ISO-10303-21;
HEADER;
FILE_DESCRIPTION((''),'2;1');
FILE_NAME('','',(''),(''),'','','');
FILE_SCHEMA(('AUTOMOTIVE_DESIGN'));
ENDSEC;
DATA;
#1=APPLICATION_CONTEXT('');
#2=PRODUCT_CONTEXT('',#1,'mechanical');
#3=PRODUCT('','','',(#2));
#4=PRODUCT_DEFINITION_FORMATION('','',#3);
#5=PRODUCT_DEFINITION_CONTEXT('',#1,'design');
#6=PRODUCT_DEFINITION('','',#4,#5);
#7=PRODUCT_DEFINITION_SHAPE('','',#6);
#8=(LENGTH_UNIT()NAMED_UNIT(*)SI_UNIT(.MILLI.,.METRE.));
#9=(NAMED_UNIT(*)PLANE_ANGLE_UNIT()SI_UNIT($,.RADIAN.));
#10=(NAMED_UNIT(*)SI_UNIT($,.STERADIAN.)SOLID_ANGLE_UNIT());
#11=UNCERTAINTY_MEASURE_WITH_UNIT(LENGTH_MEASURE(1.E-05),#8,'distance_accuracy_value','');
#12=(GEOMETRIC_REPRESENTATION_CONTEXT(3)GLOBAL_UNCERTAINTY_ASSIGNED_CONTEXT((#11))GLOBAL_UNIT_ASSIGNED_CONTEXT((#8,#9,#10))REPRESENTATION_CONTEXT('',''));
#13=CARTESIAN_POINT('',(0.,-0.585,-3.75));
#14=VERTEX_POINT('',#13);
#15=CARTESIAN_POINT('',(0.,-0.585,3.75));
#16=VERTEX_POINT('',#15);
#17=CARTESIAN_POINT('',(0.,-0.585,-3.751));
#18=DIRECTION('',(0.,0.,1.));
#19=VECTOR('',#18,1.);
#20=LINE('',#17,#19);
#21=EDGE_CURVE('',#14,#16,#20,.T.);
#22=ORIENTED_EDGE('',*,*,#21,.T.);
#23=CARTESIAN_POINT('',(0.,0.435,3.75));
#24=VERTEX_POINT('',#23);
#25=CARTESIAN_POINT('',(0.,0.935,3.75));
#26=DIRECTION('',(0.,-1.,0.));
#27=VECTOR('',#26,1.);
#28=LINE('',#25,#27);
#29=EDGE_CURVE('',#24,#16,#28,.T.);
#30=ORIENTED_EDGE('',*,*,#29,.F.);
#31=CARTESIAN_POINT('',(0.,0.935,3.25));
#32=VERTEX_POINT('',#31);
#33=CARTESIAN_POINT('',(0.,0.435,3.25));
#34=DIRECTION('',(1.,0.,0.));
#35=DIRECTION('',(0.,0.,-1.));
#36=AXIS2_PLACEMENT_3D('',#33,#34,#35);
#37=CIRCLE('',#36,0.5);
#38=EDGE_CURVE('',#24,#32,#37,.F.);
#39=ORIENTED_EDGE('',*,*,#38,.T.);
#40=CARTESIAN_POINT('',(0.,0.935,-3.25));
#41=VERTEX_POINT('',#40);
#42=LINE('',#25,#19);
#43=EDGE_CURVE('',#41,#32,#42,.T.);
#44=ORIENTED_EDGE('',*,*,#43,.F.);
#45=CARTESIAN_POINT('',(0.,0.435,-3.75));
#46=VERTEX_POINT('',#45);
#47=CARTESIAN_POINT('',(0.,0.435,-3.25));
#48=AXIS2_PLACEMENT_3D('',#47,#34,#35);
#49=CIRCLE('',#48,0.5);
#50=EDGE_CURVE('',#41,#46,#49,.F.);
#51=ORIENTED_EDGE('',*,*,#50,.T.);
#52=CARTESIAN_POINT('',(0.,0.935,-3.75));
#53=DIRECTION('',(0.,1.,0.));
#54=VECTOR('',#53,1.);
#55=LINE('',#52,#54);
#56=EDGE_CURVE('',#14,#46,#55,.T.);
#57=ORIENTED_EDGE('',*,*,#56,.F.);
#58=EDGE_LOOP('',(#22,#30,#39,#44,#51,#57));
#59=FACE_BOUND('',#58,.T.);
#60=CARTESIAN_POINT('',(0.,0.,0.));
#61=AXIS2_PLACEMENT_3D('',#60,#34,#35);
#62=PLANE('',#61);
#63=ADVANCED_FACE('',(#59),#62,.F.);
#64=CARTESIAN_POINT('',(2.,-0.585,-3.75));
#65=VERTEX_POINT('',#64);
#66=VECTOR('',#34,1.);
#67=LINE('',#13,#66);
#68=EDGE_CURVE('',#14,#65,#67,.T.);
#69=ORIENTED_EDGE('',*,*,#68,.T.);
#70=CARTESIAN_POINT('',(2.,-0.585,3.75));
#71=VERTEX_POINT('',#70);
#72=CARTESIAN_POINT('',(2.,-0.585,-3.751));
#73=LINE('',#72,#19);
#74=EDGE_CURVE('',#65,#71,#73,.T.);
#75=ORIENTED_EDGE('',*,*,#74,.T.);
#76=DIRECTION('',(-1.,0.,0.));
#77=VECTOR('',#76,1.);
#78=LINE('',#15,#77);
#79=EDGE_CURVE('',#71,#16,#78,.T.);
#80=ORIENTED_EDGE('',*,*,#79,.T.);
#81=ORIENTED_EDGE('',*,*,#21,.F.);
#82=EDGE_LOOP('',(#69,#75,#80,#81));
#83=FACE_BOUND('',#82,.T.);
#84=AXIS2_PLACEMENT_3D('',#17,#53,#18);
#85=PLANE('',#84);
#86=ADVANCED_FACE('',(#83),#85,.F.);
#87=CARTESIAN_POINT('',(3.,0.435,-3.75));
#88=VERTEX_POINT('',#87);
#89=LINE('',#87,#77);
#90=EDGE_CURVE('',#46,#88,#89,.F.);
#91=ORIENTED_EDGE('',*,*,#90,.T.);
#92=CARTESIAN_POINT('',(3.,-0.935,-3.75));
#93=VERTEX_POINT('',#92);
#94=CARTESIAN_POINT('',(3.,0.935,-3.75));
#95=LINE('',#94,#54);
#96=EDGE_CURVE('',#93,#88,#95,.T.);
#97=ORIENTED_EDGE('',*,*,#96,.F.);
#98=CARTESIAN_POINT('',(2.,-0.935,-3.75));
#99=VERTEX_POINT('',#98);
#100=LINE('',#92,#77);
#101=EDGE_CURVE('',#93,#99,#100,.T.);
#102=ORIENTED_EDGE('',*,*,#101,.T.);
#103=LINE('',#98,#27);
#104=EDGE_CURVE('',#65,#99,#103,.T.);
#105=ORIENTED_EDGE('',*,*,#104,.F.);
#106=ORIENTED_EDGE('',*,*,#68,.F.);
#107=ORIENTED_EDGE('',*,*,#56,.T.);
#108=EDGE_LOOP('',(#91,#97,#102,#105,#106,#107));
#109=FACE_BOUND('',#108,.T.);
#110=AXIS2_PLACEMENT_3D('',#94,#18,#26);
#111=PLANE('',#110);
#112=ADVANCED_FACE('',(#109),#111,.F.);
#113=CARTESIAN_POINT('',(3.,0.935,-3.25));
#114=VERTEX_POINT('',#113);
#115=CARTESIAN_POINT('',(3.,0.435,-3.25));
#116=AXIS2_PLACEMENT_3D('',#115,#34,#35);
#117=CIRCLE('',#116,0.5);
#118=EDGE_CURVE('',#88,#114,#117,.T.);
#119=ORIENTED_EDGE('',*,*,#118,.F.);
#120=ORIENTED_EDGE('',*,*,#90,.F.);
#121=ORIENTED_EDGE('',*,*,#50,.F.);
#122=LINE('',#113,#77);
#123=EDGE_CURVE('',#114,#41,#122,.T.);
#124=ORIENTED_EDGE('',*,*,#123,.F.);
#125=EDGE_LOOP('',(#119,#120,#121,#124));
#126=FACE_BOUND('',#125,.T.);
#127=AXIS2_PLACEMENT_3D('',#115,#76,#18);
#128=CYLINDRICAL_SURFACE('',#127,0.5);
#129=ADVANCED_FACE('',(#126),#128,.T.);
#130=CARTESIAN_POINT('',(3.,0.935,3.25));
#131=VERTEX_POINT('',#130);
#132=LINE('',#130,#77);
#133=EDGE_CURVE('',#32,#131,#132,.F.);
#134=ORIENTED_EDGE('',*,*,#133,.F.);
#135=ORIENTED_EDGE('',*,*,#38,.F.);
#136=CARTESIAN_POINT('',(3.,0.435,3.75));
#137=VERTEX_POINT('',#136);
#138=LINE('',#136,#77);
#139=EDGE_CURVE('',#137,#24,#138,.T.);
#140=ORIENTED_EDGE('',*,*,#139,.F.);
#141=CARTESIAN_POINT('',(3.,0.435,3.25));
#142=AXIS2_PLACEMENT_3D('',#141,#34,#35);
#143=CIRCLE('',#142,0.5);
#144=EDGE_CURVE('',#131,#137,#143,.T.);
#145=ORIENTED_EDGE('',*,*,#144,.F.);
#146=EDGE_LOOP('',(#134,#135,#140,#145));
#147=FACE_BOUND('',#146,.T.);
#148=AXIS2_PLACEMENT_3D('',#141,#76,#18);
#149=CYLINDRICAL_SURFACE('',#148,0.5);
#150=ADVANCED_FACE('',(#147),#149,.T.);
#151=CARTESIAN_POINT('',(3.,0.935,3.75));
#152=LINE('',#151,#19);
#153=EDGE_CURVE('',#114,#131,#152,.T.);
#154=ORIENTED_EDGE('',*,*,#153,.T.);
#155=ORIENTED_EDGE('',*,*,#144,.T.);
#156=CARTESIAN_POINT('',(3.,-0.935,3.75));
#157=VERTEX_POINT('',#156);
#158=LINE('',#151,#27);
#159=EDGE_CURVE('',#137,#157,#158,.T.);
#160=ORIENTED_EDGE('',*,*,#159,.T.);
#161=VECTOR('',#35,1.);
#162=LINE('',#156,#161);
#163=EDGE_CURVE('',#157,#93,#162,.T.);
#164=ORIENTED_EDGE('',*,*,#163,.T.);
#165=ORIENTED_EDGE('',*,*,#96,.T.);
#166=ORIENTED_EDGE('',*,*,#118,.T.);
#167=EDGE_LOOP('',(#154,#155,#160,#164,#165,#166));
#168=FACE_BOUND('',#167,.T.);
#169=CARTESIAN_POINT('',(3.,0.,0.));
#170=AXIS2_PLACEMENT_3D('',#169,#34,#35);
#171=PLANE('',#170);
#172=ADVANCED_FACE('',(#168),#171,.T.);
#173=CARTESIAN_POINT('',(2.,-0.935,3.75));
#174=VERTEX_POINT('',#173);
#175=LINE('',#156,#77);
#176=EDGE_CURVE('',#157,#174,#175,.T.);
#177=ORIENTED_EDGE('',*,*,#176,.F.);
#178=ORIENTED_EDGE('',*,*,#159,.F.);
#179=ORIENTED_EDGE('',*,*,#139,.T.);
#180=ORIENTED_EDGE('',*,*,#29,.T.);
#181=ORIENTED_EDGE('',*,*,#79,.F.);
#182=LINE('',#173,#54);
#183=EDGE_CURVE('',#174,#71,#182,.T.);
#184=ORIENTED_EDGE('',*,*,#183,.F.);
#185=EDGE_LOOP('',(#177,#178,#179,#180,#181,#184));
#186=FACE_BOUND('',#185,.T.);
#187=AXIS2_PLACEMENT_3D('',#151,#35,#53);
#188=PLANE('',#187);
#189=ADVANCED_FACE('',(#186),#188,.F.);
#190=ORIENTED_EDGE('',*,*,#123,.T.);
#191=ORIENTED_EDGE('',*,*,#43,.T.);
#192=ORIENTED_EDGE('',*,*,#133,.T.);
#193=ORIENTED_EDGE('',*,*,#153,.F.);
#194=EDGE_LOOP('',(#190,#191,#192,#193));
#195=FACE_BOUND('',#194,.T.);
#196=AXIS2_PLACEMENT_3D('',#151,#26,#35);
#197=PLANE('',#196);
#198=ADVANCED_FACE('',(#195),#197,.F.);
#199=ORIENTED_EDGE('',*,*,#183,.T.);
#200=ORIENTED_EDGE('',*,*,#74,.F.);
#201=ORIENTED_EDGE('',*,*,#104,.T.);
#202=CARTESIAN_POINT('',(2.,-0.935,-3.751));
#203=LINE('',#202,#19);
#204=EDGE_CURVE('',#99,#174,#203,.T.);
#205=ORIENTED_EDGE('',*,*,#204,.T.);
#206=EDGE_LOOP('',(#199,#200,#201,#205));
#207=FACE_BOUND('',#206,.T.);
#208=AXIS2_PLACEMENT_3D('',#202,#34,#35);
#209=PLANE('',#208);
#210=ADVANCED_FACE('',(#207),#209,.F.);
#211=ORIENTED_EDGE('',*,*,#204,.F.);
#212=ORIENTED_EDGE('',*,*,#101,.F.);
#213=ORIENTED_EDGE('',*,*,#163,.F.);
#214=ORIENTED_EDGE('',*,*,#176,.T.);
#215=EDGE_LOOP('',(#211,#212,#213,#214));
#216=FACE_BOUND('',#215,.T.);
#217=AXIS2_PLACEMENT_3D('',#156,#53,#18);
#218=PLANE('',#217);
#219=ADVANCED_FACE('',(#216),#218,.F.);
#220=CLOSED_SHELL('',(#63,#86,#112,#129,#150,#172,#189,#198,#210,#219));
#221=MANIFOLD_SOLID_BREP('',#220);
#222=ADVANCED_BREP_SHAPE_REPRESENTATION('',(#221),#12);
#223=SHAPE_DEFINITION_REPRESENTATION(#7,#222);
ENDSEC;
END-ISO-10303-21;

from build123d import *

# Parameters (mm, degrees)
CROQUIS1_W              = 7.5
CROQUIS1_H              = 1.87
SALIENTE_EXTRUIR1_DEPTH = 3
CORTAR_EXTRUIR1_REACH   = 10.132
CROQUIS2_W              = 2
CROQUIS2_H              = 0.35
REDONDEO1_R             = 0.5


with BuildPart() as part:
    # Croquis1 → Saliente-Extruir1 (new body)
    with BuildSketch(Plane(origin=(0, 0, 0), x_dir=(0, 0, -1), z_dir=(1, 0, 0))):
        Rectangle(CROQUIS1_W, CROQUIS1_H)
    extrude(amount=SALIENTE_EXTRUIR1_DEPTH)

    # Croquis2 → Cortar-Extruir1 (cut, up to next)
    with BuildSketch(Plane.XY.offset(3.75), mode=Mode.PRIVATE) as cortar_extruir1_sk1:
        with Locations((1, -0.76)):
            Rectangle(CROQUIS2_W, CROQUIS2_H)
    cortar_extruir1_tool1 = extrude(cortar_extruir1_sk1.sketch, amount=-CORTAR_EXTRUIR1_REACH, mode=Mode.PRIVATE) & part.part
    add(cortar_extruir1_tool1.solids().sort_by_distance((1, -0.76, 3.75))[0], mode=Mode.SUBTRACT)

    # Redondeo1
    redondeo1_edges = [part.edges().sort_by_distance(p)[0] for p in [
        (1.5, 0.935, 3.75),
        (1.5, 0.935, -3.75),
    ]]
    fillet(redondeo1_edges, radius=REDONDEO1_R)


solid = part.part
